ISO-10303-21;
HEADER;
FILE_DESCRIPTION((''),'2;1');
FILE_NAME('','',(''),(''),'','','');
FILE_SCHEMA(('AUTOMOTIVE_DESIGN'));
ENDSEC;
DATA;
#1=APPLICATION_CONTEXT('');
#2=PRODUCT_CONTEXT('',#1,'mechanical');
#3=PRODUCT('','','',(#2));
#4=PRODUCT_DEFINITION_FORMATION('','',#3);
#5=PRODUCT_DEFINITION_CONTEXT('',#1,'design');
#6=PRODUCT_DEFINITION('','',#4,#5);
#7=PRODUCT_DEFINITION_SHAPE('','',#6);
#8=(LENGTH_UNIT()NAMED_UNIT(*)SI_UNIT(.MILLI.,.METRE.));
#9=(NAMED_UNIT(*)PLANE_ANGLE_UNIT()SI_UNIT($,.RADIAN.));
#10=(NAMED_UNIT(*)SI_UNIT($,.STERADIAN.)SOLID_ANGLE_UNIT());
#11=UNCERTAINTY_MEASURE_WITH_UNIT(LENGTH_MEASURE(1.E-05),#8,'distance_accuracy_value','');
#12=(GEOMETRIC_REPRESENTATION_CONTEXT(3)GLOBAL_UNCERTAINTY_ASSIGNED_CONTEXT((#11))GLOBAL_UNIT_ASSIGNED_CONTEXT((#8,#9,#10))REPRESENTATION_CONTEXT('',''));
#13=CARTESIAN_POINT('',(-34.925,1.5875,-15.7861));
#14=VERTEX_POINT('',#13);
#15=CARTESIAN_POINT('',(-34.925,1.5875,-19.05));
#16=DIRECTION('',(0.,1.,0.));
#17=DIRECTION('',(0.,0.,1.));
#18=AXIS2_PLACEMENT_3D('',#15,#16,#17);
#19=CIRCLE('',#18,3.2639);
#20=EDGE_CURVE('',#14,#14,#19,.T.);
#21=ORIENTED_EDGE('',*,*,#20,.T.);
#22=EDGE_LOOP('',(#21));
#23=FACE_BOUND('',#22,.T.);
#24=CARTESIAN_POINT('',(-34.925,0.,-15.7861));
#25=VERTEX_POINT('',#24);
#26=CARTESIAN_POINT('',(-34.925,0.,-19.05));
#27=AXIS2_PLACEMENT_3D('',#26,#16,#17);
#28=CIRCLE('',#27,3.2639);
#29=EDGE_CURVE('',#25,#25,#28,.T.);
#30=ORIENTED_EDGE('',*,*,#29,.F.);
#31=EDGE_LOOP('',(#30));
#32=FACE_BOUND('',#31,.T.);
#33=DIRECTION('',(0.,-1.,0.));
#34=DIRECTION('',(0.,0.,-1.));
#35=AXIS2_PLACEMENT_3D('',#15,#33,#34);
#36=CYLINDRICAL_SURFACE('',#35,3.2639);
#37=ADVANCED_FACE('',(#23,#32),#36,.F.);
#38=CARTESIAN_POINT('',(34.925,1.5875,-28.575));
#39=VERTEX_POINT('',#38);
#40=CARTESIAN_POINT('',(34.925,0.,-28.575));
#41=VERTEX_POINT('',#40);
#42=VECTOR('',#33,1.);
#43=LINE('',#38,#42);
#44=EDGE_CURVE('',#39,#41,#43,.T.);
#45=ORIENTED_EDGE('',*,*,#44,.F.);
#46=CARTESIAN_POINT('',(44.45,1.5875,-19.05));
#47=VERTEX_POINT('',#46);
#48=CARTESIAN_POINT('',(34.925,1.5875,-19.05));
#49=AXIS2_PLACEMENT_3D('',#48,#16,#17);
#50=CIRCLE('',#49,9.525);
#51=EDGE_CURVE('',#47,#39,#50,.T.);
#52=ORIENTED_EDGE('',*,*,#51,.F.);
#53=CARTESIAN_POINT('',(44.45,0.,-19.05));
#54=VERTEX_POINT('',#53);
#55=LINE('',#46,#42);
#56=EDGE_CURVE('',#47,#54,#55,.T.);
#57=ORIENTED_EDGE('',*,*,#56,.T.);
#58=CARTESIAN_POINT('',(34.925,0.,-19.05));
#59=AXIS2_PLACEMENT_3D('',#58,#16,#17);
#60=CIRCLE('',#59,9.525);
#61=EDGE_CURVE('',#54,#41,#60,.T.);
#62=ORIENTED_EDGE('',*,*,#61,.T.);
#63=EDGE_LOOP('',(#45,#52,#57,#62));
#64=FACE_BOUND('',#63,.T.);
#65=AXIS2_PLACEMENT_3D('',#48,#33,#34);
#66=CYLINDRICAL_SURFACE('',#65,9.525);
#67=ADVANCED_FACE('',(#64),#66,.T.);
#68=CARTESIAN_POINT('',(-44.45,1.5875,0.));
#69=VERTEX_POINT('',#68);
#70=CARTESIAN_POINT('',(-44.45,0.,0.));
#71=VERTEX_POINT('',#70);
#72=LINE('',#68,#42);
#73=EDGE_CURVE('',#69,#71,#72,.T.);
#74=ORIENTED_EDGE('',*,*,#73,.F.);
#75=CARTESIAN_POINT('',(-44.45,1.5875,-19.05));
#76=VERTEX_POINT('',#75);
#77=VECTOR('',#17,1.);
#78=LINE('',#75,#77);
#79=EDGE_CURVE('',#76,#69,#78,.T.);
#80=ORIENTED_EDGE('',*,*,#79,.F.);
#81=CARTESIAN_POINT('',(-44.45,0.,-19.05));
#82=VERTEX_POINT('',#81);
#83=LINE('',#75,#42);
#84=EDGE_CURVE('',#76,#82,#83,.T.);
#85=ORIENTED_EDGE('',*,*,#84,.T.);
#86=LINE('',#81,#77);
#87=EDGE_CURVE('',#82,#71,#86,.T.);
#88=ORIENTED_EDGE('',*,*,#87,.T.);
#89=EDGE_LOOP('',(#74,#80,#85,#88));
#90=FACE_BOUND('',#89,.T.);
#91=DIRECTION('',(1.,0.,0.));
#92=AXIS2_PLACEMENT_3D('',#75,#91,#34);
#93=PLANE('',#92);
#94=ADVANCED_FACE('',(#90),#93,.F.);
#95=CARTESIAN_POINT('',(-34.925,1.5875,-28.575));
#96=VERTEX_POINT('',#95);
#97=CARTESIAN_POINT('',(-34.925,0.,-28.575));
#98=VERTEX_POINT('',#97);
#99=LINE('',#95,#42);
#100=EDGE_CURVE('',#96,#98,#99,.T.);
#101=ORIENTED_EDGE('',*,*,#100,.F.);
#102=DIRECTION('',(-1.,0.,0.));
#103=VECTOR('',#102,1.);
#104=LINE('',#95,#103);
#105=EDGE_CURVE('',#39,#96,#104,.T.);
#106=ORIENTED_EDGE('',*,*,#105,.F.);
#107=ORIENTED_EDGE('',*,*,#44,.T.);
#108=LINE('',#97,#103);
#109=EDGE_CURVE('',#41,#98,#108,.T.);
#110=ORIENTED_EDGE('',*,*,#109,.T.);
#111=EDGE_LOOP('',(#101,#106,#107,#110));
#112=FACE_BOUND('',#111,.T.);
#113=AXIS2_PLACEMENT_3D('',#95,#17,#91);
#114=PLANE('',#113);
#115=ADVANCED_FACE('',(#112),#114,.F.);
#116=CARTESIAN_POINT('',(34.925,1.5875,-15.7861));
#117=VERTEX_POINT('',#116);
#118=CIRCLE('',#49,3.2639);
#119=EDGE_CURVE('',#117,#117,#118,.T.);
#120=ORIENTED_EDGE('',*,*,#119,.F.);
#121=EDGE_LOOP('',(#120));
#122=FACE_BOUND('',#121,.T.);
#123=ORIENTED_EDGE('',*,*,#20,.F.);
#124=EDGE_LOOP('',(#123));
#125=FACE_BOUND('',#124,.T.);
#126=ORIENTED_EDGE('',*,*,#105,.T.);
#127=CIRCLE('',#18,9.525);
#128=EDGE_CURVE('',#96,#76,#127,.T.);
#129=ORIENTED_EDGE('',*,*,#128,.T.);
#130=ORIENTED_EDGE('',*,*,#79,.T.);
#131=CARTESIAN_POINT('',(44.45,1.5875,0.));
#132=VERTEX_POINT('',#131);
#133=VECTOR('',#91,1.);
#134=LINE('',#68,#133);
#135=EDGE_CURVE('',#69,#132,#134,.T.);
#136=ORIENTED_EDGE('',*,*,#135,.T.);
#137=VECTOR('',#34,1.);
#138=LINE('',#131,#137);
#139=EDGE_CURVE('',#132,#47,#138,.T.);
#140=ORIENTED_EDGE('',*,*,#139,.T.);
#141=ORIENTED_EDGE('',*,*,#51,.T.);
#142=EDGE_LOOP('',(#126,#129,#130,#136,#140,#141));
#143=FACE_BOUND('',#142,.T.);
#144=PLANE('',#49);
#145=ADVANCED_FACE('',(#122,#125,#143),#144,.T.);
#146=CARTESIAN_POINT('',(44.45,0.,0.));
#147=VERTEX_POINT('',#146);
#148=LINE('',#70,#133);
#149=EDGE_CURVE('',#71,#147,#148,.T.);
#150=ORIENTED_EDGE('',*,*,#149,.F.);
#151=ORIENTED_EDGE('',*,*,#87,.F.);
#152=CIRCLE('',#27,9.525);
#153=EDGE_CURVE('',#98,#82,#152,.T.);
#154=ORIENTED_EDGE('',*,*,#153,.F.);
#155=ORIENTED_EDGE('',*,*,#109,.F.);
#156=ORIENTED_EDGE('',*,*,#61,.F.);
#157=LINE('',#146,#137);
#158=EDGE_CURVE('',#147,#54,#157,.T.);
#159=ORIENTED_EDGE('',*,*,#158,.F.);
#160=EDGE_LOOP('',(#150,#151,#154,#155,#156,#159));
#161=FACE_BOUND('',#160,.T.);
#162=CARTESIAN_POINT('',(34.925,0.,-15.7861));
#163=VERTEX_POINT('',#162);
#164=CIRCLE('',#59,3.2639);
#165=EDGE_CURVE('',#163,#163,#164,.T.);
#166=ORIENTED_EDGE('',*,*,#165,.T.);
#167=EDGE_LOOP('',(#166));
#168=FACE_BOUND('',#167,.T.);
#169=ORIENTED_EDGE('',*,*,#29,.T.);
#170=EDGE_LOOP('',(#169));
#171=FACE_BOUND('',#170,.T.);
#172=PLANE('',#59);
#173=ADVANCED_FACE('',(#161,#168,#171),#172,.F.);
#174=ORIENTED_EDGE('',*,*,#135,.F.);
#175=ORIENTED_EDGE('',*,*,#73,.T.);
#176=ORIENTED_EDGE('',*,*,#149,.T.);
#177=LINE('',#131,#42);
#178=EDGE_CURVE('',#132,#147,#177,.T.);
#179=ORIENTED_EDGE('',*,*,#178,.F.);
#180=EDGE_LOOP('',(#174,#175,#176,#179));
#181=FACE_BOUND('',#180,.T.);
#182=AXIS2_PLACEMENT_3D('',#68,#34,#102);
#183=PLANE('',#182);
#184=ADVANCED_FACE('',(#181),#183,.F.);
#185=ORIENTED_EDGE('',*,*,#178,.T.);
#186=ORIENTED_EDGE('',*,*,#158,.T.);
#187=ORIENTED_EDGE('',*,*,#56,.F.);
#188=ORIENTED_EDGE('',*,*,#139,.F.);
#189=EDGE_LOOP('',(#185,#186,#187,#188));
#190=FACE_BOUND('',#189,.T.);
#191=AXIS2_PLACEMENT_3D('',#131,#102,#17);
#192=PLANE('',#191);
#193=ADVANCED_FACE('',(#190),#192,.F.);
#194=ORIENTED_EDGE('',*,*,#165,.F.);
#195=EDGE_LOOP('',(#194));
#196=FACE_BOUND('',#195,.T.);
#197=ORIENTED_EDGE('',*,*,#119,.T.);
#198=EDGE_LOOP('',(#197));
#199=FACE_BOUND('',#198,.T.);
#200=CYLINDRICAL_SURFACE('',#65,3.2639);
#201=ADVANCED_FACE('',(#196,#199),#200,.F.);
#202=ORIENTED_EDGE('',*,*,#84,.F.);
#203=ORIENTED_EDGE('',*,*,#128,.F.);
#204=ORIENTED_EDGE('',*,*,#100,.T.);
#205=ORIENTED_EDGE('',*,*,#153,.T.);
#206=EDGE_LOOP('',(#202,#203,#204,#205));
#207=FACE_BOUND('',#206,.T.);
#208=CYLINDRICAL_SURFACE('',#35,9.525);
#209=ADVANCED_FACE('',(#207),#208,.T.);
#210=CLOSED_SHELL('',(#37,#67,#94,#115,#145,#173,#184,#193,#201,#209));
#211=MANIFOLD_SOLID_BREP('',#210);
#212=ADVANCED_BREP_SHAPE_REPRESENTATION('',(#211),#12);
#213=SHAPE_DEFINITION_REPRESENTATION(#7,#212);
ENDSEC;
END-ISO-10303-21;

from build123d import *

# Parameters (mm, degrees)
SKETCH1_R           = 3.2639
BOSS_EXTRUDE1_DEPTH = 1.5875


with BuildPart() as part:
    # Sketch1 → Boss-Extrude1 (new body)
    with BuildSketch(Plane(origin=(0, 0, 0), x_dir=(1, 0, 0), z_dir=(0, 1, 0))):
        with BuildLine():
            Line((-44.45, 0), (44.45, 0))
            Line((44.45, 0), (44.45, 19.05))
            ThreePointArc((44.45, 19.05), (41.660192091, 25.785192091), (34.925, 28.575))
            Line((34.925, 28.575), (-34.925, 28.575))
            ThreePointArc((-34.925, 28.575), (-41.660192091, 25.785192091), (-44.45, 19.05))
            Line((-44.45, 19.05), (-44.45, 0))
        make_face()
        with Locations(Location((-34.925, 19.05, 0), (0, 0, 270))):
            Circle(SKETCH1_R, mode=Mode.SUBTRACT)
        with Locations(Location((34.925, 19.05, 0), (0, 0, 270))):
            Circle(SKETCH1_R, mode=Mode.SUBTRACT)
    extrude(amount=BOSS_EXTRUDE1_DEPTH)


solid = part.part
